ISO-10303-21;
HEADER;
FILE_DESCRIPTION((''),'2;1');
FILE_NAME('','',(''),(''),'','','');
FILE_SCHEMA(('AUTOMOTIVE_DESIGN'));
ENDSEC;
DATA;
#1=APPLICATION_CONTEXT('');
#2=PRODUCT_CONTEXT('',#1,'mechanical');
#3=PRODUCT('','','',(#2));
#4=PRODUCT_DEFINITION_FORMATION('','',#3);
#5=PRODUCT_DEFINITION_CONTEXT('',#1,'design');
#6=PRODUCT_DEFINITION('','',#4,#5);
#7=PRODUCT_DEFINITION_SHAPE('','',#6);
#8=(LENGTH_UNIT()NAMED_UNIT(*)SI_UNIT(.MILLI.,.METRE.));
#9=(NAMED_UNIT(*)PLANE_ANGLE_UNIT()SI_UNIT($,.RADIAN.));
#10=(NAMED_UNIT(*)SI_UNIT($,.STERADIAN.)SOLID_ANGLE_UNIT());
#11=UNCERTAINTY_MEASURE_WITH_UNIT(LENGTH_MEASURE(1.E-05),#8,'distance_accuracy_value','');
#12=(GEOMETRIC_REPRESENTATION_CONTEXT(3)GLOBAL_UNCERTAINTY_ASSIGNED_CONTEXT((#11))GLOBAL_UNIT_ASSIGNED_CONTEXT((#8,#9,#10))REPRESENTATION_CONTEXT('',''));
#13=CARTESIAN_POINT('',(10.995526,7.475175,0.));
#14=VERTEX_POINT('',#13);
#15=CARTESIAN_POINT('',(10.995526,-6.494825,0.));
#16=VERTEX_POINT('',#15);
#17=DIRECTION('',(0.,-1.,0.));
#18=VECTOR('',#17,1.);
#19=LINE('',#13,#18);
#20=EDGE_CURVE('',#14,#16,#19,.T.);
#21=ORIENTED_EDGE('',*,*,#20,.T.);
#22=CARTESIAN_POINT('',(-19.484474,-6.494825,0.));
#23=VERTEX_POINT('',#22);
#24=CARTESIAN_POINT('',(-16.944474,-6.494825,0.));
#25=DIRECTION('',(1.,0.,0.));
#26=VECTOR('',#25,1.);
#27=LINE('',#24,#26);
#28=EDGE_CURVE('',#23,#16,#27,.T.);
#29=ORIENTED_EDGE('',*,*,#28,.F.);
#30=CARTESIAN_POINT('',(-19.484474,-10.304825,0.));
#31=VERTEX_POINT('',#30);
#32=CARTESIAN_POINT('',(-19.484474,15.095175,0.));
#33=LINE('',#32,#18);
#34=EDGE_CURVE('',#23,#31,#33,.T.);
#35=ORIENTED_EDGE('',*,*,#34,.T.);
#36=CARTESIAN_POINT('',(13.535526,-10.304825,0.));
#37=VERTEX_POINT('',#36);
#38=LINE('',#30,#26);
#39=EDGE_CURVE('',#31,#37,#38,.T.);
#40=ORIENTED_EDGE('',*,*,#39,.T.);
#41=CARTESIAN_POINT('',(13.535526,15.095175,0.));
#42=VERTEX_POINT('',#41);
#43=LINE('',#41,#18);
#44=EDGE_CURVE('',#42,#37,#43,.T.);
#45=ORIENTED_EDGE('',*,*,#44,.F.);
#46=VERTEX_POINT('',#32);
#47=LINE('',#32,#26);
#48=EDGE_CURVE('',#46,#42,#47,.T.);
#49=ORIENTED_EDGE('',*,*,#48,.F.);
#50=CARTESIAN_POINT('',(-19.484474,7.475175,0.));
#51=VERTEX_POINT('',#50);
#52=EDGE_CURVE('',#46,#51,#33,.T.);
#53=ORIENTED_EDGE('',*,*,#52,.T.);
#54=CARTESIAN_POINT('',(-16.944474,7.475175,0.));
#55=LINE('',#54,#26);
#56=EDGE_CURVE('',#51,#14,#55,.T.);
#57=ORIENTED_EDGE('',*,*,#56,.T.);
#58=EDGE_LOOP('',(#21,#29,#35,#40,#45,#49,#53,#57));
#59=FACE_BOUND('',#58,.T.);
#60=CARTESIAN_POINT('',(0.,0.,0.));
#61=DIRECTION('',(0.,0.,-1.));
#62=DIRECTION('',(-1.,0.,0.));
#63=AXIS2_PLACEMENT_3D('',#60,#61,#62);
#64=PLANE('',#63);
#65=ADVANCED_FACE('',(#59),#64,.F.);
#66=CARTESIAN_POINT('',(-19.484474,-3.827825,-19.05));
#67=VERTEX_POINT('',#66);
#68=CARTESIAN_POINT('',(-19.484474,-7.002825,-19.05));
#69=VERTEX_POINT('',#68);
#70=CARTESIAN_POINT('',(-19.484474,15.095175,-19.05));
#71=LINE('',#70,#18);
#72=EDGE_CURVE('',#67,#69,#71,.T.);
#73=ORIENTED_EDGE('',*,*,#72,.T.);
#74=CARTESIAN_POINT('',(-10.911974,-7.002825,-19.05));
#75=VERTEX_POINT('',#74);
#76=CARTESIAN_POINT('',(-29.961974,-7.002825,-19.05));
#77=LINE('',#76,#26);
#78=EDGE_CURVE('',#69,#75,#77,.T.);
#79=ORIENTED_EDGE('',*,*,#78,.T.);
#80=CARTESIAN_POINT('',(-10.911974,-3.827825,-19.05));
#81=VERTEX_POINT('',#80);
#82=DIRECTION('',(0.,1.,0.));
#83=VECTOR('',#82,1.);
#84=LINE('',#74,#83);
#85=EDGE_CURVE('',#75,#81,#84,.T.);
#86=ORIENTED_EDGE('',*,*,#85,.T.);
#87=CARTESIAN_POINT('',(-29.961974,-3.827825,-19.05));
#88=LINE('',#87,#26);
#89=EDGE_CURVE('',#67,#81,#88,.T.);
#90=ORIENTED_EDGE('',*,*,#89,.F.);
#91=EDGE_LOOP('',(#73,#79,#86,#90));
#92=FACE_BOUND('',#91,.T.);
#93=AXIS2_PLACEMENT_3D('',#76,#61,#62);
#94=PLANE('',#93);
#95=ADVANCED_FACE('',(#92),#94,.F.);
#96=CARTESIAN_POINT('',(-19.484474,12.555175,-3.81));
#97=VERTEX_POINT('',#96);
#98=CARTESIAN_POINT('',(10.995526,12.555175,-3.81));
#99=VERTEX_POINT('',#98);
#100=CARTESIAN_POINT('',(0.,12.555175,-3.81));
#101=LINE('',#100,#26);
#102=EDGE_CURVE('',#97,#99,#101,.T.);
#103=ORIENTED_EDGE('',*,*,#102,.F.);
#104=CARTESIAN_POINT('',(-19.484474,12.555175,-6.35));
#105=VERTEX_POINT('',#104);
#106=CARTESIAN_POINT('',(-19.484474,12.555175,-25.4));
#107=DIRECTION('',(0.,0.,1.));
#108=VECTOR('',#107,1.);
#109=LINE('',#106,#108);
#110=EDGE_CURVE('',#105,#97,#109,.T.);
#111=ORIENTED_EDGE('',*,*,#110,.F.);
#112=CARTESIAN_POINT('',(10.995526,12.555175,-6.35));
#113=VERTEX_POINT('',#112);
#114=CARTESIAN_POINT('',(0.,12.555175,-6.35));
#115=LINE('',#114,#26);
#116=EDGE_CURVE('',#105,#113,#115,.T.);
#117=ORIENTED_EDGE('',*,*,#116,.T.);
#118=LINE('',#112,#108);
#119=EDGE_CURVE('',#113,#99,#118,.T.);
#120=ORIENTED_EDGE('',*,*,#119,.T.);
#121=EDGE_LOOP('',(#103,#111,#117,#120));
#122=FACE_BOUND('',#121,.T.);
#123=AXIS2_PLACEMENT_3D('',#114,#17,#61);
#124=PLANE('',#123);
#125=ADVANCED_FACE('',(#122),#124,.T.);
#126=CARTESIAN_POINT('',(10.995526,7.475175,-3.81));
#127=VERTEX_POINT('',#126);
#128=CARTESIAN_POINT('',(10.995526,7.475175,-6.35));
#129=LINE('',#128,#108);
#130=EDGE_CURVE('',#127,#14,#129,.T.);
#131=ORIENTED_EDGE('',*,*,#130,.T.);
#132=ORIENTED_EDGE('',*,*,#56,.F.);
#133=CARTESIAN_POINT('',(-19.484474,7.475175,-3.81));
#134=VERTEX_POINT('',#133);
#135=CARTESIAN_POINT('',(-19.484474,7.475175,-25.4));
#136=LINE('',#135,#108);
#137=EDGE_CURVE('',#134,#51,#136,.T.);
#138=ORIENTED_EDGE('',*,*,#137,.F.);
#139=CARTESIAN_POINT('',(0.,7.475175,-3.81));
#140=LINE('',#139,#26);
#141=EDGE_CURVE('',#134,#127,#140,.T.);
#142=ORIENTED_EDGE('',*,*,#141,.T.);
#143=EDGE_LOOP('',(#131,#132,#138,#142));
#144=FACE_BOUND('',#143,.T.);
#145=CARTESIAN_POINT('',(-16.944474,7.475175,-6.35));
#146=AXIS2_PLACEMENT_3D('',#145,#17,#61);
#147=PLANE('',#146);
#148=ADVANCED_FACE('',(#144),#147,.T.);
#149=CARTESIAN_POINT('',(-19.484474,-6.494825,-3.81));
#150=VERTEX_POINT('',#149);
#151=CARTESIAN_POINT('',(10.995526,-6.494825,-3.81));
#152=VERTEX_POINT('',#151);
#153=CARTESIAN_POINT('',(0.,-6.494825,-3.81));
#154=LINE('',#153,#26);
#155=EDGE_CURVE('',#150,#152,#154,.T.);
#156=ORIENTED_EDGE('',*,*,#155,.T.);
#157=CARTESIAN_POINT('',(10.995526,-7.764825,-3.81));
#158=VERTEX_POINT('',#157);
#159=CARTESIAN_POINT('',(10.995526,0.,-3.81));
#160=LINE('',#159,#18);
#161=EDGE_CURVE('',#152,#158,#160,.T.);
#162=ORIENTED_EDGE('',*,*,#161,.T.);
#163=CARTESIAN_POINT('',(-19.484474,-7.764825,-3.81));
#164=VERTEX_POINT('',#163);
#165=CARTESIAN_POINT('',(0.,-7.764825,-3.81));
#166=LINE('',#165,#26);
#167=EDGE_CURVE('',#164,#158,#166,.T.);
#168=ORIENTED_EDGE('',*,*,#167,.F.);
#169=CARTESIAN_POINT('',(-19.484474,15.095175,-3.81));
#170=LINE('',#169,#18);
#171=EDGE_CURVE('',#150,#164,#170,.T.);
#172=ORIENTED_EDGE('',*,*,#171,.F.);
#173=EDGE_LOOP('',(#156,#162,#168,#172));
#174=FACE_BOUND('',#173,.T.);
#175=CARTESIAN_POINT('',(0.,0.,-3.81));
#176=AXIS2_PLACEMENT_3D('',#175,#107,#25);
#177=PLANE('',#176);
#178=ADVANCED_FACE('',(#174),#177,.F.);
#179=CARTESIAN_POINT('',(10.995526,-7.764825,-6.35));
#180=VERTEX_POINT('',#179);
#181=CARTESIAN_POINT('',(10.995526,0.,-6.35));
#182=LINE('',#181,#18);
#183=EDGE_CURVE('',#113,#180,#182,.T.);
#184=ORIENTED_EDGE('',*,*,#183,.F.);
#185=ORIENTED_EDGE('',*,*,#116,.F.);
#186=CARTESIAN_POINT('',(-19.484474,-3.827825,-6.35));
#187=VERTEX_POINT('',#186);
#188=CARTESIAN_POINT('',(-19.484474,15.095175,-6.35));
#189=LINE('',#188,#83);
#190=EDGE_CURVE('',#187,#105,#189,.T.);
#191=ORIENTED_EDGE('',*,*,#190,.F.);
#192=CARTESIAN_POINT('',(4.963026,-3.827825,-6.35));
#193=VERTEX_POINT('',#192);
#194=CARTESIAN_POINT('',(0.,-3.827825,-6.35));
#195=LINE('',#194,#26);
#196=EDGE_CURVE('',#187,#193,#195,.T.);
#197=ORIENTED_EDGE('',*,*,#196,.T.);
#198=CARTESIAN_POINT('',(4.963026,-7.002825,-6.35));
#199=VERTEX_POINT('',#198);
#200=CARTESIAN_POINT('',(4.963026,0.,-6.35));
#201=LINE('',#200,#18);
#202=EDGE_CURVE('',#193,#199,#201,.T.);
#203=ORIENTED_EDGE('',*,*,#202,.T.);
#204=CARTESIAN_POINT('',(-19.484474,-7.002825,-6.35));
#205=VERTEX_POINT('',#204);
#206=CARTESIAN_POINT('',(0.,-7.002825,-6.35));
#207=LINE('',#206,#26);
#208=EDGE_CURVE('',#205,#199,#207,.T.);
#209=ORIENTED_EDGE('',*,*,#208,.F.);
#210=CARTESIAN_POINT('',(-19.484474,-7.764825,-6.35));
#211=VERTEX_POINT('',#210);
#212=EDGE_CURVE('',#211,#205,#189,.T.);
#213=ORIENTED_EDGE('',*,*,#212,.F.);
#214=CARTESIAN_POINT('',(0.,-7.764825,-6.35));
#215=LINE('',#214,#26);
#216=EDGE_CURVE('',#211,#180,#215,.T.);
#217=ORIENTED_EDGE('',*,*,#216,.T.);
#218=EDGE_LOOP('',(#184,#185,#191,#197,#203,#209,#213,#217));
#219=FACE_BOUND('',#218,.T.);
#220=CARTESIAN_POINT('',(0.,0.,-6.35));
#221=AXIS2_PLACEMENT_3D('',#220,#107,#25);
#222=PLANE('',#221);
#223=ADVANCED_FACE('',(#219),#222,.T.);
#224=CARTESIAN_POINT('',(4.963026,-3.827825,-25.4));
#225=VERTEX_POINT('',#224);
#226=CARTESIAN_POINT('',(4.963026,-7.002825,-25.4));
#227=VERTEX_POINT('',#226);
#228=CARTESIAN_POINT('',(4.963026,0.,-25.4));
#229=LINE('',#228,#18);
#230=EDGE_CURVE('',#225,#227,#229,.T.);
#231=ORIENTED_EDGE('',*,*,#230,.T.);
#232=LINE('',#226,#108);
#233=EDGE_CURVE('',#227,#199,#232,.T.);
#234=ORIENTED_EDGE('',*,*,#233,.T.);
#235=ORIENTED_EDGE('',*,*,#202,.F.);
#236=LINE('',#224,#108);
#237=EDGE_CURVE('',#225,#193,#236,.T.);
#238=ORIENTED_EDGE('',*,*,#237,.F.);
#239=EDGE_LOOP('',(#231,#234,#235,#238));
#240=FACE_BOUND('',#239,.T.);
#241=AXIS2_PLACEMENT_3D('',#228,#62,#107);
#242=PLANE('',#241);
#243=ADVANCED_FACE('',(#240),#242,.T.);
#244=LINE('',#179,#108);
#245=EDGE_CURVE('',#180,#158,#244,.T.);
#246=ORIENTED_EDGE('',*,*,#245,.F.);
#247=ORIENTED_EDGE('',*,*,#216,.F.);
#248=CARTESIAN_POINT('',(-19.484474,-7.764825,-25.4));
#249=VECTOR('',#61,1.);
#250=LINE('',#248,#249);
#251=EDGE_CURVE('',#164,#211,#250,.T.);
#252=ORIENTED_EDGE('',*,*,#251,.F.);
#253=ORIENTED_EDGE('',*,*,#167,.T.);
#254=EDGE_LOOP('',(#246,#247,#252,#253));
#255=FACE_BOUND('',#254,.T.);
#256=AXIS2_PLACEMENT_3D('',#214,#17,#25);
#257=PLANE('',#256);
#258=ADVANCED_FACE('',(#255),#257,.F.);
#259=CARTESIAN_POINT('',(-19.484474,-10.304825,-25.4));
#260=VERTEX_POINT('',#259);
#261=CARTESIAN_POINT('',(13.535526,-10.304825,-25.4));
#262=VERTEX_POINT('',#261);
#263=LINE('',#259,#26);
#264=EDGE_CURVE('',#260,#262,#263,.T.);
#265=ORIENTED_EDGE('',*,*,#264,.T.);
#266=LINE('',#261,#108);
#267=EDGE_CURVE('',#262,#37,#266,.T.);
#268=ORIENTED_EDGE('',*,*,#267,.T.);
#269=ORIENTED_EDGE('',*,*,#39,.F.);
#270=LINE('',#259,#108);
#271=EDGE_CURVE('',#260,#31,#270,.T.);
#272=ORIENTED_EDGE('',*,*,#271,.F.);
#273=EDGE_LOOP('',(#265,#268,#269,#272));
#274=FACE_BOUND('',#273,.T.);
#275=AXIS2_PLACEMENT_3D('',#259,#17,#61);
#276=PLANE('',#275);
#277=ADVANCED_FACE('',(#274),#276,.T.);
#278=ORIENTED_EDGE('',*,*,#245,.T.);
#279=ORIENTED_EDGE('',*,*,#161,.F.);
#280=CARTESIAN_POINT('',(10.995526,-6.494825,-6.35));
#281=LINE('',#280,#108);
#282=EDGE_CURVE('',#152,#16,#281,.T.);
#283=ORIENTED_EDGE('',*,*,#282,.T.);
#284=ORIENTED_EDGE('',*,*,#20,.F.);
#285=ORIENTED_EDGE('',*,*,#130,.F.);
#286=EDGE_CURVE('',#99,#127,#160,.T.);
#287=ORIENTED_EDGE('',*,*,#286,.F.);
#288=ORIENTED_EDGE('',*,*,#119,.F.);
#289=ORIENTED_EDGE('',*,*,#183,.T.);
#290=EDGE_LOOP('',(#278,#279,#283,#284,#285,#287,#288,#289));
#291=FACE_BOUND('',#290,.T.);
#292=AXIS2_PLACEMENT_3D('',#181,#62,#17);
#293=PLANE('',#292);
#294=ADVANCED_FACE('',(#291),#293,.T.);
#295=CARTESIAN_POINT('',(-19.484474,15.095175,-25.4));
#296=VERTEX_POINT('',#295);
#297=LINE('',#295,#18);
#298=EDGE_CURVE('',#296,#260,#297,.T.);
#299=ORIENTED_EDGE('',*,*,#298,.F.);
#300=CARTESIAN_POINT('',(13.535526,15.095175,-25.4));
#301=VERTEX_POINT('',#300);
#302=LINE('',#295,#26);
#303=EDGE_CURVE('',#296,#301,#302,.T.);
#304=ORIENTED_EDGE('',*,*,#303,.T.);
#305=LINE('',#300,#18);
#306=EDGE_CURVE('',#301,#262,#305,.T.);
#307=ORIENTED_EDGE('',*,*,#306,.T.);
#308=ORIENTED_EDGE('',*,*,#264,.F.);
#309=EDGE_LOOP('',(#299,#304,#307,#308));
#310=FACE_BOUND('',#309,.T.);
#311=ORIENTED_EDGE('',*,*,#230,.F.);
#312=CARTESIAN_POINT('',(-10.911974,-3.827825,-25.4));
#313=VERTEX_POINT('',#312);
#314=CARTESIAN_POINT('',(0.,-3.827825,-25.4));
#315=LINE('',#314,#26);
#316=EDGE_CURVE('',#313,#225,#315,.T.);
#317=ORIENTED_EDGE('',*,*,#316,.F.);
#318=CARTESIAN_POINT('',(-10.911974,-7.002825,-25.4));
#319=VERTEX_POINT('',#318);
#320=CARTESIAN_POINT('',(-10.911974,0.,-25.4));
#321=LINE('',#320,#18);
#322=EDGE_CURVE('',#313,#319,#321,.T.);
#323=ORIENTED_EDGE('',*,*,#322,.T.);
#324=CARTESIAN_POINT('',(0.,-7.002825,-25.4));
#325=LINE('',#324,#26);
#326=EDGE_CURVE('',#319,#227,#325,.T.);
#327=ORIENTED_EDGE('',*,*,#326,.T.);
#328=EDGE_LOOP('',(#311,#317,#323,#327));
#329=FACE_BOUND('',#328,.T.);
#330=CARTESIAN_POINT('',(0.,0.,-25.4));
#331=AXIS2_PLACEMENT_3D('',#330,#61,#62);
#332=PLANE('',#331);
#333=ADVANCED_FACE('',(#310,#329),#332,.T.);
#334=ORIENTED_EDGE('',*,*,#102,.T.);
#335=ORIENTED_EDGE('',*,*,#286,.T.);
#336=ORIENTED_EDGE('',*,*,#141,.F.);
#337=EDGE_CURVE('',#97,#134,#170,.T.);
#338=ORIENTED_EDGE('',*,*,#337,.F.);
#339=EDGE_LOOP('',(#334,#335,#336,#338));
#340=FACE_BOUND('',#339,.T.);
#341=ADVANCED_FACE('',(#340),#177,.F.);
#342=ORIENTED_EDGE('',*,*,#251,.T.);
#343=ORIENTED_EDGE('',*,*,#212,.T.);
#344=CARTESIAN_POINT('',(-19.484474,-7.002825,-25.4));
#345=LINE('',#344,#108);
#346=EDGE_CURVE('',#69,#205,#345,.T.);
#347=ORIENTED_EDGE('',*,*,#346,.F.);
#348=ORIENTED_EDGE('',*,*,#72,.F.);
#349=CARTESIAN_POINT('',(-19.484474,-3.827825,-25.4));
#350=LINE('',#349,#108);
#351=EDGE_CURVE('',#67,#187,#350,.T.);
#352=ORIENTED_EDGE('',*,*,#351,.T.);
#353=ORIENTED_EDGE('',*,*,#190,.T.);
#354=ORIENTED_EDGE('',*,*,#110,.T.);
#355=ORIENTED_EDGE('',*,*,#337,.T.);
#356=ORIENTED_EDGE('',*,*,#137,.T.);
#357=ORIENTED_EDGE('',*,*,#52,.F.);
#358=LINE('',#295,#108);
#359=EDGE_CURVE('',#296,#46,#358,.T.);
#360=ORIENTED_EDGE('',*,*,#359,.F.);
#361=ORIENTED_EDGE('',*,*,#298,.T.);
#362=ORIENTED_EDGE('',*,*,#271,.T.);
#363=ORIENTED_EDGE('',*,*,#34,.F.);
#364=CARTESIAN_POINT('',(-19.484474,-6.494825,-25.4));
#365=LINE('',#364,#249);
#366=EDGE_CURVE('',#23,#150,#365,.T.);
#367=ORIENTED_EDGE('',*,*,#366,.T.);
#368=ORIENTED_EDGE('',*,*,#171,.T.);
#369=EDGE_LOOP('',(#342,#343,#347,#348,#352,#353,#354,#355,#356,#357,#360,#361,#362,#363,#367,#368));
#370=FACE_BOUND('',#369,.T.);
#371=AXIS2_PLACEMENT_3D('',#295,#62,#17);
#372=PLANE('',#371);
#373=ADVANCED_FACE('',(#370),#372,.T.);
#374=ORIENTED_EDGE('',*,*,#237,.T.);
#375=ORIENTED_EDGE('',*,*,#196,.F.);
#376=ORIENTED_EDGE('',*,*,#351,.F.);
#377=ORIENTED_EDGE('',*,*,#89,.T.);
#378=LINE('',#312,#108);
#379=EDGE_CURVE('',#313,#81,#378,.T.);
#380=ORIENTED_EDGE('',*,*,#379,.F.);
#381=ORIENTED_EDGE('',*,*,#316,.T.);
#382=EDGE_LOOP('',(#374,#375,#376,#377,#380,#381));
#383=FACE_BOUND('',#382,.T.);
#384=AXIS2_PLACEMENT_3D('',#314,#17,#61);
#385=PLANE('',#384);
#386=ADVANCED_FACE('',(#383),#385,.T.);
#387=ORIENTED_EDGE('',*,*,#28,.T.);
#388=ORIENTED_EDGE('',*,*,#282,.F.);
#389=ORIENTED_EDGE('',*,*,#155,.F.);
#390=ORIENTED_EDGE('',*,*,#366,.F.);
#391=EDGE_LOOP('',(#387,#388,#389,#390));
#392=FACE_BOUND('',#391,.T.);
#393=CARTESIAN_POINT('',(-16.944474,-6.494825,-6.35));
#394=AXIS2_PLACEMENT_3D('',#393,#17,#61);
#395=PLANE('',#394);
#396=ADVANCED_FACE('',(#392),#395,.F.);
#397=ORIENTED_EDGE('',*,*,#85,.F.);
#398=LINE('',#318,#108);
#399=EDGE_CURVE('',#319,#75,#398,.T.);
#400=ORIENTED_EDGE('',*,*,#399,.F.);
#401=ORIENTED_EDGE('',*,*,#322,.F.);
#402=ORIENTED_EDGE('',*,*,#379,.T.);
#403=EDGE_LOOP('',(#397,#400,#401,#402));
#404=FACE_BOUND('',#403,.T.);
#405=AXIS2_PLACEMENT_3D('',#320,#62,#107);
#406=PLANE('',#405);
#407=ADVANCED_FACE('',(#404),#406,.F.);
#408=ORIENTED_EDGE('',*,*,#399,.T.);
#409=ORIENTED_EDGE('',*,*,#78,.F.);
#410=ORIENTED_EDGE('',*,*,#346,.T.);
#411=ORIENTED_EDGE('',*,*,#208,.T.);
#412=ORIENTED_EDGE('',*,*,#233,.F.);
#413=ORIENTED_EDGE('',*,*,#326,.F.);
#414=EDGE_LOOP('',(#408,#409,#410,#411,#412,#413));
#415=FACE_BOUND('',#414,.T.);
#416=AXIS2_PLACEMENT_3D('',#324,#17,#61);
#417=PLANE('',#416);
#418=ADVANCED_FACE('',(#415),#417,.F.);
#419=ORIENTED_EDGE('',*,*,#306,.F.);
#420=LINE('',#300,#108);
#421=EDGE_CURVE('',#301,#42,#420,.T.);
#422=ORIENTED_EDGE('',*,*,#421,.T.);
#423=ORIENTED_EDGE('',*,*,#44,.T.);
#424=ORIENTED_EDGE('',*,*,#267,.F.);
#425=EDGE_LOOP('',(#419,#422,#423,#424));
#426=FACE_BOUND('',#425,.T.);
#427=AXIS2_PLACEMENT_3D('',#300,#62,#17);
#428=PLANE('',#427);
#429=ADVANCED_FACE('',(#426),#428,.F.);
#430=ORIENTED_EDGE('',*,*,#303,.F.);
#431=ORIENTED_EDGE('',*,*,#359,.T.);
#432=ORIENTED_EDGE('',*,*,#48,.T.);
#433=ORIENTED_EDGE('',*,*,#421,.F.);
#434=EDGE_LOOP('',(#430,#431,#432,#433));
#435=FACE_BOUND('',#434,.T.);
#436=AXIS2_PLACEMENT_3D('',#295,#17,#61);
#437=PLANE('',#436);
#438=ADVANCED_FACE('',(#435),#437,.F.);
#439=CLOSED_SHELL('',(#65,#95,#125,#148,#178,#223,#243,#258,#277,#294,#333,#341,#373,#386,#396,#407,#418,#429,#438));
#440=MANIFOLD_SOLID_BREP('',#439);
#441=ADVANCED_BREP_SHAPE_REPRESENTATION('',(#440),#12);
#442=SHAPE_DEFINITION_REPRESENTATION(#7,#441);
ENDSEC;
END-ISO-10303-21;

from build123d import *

# Parameters (mm, degrees)
SKETCH1_W           = 33.02
SKETCH1_H           = 25.4
BOSS_EXTRUDE1_DEPTH = 25.4
CUT_EXTRUDE2_START  = -3.81
SKETCH1_4_W         = 27.94
SKETCH1_4_H         = 5.08
SKETCH1_4_H_2       = 1.27
CUT_EXTRUDE2_DEPTH  = 2.54
SKETCH1_3_W         = 27.94
SKETCH1_3_H         = 13.97
CUT_EXTRUDE1_DEPTH  = 6.35
CUT_EXTRUDE3_START  = -6.35
SKETCH1_5_W         = 15.875
SKETCH1_5_H         = 3.175
CUT_EXTRUDE3_DEPTH  = 19.05
SKETCH4_W           = 12.7
SKETCH4_H           = 3.175
CUT_EXTRUDE4_DEPTH  = 19.05
CUT_EXTRUDE5_DEPTH  = 6.35


with BuildPart() as part:
    # Sketch1 → Boss-Extrude1 (new body)
    with BuildSketch(Plane.XY):
        with Locations((-2.974473684, 2.395175439)):
            Rectangle(SKETCH1_W, SKETCH1_H)
    extrude(amount=-BOSS_EXTRUDE1_DEPTH)

    # Sketch1<4> → Cut-Extrude2 (cut)
    with BuildSketch(Plane.XY.offset(CUT_EXTRUDE2_START)):
        with Locations((-2.974473684, 10.015175439)):
            Rectangle(SKETCH1_4_W, SKETCH1_4_H)
        with Locations((-2.974473684, -7.129824561)):
            Rectangle(SKETCH1_4_W, SKETCH1_4_H_2)
    extrude(amount=-CUT_EXTRUDE2_DEPTH, mode=Mode.SUBTRACT)

    # Sketch1<3> → Cut-Extrude1 (cut)
    with BuildSketch(Plane.XY):
        with Locations((-2.974473684, 0.490175439)):
            Rectangle(SKETCH1_3_W, SKETCH1_3_H)
    extrude(amount=-CUT_EXTRUDE1_DEPTH, mode=Mode.SUBTRACT)

    # Sketch1<5> → Cut-Extrude3 (cut)
    with BuildSketch(Plane.XY.offset(CUT_EXTRUDE3_START)):
        with Locations((-2.974473684, -5.415324561)):
            Rectangle(SKETCH1_5_W, SKETCH1_5_H)
    extrude(amount=-CUT_EXTRUDE3_DEPTH, mode=Mode.SUBTRACT)

    # Sketch4 → Cut-Extrude4 (cut)
    with BuildSketch(Plane(origin=(-10.911973684, 0, 0), x_dir=(0, 0, -1), z_dir=(1, 0, 0))):
        with Locations((12.7, -5.415324561)):
            Rectangle(SKETCH4_W, SKETCH4_H)
    extrude(amount=-CUT_EXTRUDE4_DEPTH, mode=Mode.SUBTRACT)

    # Sketch7 → Cut-Extrude5 (cut)
    with BuildSketch(Plane(origin=(-16.944473684, 0, 0), x_dir=(0, 0, -1), z_dir=(1, 0, 0))):
        Polygon((0, 7.475175439), (3.81, 7.475175439), (3.81, 12.555175439), (6.35, 12.555175439), (6.35, -7.764824561), (3.81, -7.764824561), (3.81, -6.494824561), (0, -6.494824561), align=None)
    extrude(amount=-CUT_EXTRUDE5_DEPTH, mode=Mode.SUBTRACT)


solid = part.part
